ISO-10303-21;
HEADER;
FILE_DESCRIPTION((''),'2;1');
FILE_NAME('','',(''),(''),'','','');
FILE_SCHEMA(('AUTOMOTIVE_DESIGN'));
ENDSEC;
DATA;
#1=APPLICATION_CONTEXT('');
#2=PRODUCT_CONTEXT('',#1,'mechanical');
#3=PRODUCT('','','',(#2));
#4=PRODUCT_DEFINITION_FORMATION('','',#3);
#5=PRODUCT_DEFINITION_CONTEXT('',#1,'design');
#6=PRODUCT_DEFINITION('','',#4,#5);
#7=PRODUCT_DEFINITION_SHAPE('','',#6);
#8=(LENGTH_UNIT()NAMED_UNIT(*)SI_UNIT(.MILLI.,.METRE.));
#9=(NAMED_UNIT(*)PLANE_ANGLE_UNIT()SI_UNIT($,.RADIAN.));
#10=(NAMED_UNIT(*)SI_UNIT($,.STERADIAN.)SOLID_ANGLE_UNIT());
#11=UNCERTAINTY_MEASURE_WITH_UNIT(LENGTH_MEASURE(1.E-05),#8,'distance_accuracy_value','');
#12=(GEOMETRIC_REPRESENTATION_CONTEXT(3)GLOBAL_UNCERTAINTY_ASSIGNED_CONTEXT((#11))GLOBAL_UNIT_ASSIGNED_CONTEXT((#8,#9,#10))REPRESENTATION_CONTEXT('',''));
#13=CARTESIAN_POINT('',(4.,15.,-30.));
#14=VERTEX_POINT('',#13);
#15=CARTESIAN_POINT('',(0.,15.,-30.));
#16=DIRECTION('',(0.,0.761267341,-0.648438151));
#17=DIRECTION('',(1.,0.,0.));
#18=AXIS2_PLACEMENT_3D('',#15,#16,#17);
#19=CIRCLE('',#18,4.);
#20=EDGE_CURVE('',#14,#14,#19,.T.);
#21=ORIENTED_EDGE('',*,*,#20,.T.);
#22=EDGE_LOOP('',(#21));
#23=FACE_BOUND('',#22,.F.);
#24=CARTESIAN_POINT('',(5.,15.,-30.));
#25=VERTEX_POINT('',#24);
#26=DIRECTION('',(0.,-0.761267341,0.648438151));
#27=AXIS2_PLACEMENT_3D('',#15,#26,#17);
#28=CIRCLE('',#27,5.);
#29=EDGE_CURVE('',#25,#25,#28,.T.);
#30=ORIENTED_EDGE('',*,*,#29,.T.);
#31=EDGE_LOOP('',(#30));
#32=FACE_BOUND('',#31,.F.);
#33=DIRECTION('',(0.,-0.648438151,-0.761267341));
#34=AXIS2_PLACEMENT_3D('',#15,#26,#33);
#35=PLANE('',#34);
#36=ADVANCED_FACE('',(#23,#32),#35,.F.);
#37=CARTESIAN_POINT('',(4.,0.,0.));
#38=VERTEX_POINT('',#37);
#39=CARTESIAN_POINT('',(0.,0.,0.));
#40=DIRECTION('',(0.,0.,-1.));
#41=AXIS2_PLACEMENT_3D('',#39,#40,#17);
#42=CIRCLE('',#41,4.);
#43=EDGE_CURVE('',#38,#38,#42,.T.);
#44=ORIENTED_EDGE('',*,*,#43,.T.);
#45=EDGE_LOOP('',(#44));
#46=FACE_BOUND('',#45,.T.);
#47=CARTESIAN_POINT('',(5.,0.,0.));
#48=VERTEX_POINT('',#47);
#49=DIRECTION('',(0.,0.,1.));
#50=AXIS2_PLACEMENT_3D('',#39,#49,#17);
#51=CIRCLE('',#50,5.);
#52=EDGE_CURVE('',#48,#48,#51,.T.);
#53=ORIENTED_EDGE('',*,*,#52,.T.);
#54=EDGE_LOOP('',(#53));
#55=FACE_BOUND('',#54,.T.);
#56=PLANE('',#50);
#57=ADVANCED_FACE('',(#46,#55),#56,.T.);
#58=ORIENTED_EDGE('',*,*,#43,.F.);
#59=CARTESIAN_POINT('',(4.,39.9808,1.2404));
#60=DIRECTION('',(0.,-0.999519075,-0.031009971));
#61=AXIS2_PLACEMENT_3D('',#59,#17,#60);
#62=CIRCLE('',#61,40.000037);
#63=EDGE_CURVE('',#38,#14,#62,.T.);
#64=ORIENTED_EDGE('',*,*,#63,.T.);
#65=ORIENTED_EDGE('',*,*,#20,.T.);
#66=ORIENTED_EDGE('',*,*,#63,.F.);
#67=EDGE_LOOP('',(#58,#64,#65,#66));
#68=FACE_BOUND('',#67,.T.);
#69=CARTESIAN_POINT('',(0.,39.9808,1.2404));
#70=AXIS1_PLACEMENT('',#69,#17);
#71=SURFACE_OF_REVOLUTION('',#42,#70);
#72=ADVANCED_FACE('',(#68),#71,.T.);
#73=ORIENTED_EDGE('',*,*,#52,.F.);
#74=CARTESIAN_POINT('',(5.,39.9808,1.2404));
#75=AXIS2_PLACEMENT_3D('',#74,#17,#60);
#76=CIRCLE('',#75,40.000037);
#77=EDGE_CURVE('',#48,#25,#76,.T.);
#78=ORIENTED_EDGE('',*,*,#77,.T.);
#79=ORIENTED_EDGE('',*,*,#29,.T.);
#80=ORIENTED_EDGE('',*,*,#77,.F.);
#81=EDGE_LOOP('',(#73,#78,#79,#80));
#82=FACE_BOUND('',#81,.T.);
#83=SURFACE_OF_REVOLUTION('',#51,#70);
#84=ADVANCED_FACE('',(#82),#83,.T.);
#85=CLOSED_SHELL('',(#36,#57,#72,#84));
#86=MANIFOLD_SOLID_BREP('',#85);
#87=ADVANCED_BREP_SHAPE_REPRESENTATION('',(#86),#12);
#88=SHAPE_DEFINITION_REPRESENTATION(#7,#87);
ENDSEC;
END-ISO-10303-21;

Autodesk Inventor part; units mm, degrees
ref_plane "YZ Plane" through (0, 0, 0) normal (1, 0, 0) x (0, 1, 0)
ref_plane "XZ Plane" through (0, 0, 0) normal (0, 1, 0) x (-1, 0, 0)
ref_plane "XY Plane" through (0, 0, 0) normal (0, 0, 1) x (1, 0, 0)
sketch "Esboço1" plane through (0, 0, 0) normal (0, 0, 1) x (1, 0, 0)
  circle A0 centre (0, 0) radius 5
  circle A1 centre (0, 0) radius 4
  dimension "d0" = 10
  dimension "d1" = 1
sketch "Esboço2" plane through (0, 0, 0) normal (1, 0, 0) x (0, 1, 0)
  arc A0 (0, 0) -> (15, -30) centre (39.9808, 1.2404) ccw
  dimension "d5" = 40
  dimension "d6" = 15
  dimension "d7" = 30
sweep "Varredura1" add profiles "Esboço1" path "Esboço2"
properties part number "Tubo_0002_001" material "Borracha"
